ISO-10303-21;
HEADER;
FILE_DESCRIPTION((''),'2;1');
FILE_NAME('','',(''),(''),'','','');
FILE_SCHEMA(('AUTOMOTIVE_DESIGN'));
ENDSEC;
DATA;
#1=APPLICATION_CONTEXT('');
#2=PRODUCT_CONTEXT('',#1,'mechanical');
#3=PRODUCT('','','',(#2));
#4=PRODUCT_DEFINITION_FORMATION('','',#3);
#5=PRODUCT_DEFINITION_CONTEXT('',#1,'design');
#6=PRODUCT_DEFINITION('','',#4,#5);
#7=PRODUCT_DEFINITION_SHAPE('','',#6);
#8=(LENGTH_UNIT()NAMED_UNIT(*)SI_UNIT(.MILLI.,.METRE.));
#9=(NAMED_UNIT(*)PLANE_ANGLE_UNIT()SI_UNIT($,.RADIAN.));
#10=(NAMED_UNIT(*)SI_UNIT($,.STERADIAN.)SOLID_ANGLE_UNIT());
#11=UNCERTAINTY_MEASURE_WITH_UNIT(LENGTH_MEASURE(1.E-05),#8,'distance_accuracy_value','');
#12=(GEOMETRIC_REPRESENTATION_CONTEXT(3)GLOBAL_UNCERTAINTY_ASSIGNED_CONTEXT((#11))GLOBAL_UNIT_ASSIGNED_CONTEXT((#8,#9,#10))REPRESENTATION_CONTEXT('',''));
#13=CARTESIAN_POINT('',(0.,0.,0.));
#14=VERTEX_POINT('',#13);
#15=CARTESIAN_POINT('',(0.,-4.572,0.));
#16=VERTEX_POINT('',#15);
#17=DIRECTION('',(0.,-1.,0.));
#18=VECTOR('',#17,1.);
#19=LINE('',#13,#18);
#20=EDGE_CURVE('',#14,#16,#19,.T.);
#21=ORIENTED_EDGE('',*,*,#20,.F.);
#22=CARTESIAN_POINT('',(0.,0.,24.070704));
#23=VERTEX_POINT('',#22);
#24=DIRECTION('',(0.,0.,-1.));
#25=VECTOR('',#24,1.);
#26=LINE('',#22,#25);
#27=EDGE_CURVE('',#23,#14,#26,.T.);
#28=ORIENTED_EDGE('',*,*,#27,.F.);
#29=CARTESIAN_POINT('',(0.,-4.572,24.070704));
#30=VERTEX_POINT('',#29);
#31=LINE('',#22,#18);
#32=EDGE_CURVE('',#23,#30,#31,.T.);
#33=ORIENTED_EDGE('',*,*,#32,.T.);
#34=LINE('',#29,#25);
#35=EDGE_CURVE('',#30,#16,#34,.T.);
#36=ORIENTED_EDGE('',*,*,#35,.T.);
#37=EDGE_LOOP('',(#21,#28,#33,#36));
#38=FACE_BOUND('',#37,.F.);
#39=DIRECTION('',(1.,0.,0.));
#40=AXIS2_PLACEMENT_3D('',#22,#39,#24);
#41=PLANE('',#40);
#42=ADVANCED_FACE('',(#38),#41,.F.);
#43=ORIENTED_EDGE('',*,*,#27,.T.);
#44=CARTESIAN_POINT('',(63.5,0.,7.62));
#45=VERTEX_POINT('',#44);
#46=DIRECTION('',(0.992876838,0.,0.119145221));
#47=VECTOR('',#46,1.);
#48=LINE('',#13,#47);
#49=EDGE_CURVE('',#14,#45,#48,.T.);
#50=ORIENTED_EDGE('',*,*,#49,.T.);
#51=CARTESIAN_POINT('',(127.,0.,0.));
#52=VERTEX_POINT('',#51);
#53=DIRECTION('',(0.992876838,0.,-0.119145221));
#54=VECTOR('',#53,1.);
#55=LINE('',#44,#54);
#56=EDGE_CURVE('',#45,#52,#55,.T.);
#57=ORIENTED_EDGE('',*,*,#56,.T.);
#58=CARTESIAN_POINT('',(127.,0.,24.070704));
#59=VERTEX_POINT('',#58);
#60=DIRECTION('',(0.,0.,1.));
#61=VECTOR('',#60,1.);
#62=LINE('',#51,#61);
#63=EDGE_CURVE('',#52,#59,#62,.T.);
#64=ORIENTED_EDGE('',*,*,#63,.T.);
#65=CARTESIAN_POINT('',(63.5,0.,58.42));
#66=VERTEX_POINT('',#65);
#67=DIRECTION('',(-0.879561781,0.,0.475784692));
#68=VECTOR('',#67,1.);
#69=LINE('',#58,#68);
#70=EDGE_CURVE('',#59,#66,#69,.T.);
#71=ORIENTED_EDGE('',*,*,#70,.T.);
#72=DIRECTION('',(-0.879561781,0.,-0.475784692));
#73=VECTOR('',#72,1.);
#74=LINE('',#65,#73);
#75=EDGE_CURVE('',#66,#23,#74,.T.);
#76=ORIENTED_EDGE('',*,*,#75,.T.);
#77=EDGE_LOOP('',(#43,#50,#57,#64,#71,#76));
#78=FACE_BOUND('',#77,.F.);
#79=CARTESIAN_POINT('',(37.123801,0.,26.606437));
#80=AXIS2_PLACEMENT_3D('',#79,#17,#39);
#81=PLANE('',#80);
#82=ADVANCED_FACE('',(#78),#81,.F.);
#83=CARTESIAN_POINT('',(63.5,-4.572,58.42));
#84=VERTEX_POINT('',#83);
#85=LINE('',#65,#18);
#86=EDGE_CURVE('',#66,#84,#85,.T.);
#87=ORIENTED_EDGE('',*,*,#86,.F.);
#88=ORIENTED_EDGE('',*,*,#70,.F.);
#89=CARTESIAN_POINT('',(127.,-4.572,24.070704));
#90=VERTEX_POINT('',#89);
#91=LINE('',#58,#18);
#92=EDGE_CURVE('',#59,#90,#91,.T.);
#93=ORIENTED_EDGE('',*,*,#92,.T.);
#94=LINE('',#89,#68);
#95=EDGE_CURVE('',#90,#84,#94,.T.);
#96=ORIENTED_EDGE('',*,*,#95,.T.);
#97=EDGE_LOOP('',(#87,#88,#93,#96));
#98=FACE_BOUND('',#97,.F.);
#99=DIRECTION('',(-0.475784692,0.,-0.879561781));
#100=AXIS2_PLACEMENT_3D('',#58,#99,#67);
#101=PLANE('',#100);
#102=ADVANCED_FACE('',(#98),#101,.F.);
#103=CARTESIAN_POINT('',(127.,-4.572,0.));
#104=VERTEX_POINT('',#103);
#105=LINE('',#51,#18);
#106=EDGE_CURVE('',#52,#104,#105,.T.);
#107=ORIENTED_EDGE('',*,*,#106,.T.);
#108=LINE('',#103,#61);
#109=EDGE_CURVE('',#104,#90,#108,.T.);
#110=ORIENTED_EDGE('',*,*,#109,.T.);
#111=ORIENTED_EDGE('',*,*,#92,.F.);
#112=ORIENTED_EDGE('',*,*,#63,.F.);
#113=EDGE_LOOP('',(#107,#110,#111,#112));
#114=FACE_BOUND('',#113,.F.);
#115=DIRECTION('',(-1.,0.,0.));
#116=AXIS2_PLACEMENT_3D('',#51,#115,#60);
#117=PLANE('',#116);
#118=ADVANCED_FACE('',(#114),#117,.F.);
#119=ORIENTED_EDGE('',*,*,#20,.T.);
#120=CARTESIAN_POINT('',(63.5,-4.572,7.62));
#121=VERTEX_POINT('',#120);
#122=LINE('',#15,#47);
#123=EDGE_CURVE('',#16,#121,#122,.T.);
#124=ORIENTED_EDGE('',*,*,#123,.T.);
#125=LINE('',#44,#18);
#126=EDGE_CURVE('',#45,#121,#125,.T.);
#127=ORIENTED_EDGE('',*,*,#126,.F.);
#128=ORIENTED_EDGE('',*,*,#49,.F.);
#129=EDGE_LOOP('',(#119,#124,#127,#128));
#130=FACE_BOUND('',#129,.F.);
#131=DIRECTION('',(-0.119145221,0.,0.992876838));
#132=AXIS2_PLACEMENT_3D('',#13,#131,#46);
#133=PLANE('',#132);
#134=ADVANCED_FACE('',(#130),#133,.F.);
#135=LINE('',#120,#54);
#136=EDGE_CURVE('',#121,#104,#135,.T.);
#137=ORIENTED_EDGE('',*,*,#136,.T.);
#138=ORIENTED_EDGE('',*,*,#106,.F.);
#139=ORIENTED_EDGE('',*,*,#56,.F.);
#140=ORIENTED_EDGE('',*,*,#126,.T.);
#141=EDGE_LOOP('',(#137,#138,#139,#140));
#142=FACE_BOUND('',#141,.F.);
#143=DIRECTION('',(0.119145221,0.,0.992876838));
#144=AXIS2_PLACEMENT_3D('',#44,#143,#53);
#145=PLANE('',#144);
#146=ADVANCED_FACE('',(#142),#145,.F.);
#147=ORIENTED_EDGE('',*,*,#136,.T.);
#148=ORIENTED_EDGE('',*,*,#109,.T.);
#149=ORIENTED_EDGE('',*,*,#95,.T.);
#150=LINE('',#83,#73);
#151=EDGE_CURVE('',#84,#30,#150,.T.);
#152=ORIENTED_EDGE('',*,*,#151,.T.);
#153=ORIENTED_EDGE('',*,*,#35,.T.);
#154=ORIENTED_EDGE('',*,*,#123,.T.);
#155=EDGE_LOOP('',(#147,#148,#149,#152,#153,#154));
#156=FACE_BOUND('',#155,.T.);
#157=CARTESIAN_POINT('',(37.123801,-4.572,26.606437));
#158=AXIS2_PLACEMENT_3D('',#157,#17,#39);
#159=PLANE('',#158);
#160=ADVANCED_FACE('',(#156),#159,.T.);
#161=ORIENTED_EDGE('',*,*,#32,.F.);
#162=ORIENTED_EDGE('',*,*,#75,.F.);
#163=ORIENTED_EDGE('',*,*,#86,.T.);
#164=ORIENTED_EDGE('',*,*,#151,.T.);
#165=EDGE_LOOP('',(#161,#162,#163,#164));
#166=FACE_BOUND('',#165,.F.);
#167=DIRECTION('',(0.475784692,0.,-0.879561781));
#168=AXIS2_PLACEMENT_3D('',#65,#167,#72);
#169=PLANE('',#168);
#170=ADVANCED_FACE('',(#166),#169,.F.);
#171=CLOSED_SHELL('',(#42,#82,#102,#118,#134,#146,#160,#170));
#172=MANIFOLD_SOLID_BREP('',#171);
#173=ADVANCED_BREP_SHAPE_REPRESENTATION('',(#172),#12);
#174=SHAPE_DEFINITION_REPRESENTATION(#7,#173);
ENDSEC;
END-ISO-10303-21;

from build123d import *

# Parameters (mm, degrees)
F1_DEPTH = 4.572


with BuildPart() as f1:
    # F0 (on Front) → F1 (new body)
    with BuildSketch(Plane.XZ):
        Polygon((0, 24.070704), (0, 7.62), (63.5, 7.62), (63.5, 58.42), align=None)
        Polygon((0, 7.62), (0, 0), (63.5, 7.62), align=None)
        Polygon((63.5, 58.42), (63.5, 7.62), (127, 7.62), (127, 24.070704), align=None)
        Polygon((127, 7.62), (63.5, 7.62), (127, 0), align=None)
    extrude(amount=F1_DEPTH)


solid = f1.part
